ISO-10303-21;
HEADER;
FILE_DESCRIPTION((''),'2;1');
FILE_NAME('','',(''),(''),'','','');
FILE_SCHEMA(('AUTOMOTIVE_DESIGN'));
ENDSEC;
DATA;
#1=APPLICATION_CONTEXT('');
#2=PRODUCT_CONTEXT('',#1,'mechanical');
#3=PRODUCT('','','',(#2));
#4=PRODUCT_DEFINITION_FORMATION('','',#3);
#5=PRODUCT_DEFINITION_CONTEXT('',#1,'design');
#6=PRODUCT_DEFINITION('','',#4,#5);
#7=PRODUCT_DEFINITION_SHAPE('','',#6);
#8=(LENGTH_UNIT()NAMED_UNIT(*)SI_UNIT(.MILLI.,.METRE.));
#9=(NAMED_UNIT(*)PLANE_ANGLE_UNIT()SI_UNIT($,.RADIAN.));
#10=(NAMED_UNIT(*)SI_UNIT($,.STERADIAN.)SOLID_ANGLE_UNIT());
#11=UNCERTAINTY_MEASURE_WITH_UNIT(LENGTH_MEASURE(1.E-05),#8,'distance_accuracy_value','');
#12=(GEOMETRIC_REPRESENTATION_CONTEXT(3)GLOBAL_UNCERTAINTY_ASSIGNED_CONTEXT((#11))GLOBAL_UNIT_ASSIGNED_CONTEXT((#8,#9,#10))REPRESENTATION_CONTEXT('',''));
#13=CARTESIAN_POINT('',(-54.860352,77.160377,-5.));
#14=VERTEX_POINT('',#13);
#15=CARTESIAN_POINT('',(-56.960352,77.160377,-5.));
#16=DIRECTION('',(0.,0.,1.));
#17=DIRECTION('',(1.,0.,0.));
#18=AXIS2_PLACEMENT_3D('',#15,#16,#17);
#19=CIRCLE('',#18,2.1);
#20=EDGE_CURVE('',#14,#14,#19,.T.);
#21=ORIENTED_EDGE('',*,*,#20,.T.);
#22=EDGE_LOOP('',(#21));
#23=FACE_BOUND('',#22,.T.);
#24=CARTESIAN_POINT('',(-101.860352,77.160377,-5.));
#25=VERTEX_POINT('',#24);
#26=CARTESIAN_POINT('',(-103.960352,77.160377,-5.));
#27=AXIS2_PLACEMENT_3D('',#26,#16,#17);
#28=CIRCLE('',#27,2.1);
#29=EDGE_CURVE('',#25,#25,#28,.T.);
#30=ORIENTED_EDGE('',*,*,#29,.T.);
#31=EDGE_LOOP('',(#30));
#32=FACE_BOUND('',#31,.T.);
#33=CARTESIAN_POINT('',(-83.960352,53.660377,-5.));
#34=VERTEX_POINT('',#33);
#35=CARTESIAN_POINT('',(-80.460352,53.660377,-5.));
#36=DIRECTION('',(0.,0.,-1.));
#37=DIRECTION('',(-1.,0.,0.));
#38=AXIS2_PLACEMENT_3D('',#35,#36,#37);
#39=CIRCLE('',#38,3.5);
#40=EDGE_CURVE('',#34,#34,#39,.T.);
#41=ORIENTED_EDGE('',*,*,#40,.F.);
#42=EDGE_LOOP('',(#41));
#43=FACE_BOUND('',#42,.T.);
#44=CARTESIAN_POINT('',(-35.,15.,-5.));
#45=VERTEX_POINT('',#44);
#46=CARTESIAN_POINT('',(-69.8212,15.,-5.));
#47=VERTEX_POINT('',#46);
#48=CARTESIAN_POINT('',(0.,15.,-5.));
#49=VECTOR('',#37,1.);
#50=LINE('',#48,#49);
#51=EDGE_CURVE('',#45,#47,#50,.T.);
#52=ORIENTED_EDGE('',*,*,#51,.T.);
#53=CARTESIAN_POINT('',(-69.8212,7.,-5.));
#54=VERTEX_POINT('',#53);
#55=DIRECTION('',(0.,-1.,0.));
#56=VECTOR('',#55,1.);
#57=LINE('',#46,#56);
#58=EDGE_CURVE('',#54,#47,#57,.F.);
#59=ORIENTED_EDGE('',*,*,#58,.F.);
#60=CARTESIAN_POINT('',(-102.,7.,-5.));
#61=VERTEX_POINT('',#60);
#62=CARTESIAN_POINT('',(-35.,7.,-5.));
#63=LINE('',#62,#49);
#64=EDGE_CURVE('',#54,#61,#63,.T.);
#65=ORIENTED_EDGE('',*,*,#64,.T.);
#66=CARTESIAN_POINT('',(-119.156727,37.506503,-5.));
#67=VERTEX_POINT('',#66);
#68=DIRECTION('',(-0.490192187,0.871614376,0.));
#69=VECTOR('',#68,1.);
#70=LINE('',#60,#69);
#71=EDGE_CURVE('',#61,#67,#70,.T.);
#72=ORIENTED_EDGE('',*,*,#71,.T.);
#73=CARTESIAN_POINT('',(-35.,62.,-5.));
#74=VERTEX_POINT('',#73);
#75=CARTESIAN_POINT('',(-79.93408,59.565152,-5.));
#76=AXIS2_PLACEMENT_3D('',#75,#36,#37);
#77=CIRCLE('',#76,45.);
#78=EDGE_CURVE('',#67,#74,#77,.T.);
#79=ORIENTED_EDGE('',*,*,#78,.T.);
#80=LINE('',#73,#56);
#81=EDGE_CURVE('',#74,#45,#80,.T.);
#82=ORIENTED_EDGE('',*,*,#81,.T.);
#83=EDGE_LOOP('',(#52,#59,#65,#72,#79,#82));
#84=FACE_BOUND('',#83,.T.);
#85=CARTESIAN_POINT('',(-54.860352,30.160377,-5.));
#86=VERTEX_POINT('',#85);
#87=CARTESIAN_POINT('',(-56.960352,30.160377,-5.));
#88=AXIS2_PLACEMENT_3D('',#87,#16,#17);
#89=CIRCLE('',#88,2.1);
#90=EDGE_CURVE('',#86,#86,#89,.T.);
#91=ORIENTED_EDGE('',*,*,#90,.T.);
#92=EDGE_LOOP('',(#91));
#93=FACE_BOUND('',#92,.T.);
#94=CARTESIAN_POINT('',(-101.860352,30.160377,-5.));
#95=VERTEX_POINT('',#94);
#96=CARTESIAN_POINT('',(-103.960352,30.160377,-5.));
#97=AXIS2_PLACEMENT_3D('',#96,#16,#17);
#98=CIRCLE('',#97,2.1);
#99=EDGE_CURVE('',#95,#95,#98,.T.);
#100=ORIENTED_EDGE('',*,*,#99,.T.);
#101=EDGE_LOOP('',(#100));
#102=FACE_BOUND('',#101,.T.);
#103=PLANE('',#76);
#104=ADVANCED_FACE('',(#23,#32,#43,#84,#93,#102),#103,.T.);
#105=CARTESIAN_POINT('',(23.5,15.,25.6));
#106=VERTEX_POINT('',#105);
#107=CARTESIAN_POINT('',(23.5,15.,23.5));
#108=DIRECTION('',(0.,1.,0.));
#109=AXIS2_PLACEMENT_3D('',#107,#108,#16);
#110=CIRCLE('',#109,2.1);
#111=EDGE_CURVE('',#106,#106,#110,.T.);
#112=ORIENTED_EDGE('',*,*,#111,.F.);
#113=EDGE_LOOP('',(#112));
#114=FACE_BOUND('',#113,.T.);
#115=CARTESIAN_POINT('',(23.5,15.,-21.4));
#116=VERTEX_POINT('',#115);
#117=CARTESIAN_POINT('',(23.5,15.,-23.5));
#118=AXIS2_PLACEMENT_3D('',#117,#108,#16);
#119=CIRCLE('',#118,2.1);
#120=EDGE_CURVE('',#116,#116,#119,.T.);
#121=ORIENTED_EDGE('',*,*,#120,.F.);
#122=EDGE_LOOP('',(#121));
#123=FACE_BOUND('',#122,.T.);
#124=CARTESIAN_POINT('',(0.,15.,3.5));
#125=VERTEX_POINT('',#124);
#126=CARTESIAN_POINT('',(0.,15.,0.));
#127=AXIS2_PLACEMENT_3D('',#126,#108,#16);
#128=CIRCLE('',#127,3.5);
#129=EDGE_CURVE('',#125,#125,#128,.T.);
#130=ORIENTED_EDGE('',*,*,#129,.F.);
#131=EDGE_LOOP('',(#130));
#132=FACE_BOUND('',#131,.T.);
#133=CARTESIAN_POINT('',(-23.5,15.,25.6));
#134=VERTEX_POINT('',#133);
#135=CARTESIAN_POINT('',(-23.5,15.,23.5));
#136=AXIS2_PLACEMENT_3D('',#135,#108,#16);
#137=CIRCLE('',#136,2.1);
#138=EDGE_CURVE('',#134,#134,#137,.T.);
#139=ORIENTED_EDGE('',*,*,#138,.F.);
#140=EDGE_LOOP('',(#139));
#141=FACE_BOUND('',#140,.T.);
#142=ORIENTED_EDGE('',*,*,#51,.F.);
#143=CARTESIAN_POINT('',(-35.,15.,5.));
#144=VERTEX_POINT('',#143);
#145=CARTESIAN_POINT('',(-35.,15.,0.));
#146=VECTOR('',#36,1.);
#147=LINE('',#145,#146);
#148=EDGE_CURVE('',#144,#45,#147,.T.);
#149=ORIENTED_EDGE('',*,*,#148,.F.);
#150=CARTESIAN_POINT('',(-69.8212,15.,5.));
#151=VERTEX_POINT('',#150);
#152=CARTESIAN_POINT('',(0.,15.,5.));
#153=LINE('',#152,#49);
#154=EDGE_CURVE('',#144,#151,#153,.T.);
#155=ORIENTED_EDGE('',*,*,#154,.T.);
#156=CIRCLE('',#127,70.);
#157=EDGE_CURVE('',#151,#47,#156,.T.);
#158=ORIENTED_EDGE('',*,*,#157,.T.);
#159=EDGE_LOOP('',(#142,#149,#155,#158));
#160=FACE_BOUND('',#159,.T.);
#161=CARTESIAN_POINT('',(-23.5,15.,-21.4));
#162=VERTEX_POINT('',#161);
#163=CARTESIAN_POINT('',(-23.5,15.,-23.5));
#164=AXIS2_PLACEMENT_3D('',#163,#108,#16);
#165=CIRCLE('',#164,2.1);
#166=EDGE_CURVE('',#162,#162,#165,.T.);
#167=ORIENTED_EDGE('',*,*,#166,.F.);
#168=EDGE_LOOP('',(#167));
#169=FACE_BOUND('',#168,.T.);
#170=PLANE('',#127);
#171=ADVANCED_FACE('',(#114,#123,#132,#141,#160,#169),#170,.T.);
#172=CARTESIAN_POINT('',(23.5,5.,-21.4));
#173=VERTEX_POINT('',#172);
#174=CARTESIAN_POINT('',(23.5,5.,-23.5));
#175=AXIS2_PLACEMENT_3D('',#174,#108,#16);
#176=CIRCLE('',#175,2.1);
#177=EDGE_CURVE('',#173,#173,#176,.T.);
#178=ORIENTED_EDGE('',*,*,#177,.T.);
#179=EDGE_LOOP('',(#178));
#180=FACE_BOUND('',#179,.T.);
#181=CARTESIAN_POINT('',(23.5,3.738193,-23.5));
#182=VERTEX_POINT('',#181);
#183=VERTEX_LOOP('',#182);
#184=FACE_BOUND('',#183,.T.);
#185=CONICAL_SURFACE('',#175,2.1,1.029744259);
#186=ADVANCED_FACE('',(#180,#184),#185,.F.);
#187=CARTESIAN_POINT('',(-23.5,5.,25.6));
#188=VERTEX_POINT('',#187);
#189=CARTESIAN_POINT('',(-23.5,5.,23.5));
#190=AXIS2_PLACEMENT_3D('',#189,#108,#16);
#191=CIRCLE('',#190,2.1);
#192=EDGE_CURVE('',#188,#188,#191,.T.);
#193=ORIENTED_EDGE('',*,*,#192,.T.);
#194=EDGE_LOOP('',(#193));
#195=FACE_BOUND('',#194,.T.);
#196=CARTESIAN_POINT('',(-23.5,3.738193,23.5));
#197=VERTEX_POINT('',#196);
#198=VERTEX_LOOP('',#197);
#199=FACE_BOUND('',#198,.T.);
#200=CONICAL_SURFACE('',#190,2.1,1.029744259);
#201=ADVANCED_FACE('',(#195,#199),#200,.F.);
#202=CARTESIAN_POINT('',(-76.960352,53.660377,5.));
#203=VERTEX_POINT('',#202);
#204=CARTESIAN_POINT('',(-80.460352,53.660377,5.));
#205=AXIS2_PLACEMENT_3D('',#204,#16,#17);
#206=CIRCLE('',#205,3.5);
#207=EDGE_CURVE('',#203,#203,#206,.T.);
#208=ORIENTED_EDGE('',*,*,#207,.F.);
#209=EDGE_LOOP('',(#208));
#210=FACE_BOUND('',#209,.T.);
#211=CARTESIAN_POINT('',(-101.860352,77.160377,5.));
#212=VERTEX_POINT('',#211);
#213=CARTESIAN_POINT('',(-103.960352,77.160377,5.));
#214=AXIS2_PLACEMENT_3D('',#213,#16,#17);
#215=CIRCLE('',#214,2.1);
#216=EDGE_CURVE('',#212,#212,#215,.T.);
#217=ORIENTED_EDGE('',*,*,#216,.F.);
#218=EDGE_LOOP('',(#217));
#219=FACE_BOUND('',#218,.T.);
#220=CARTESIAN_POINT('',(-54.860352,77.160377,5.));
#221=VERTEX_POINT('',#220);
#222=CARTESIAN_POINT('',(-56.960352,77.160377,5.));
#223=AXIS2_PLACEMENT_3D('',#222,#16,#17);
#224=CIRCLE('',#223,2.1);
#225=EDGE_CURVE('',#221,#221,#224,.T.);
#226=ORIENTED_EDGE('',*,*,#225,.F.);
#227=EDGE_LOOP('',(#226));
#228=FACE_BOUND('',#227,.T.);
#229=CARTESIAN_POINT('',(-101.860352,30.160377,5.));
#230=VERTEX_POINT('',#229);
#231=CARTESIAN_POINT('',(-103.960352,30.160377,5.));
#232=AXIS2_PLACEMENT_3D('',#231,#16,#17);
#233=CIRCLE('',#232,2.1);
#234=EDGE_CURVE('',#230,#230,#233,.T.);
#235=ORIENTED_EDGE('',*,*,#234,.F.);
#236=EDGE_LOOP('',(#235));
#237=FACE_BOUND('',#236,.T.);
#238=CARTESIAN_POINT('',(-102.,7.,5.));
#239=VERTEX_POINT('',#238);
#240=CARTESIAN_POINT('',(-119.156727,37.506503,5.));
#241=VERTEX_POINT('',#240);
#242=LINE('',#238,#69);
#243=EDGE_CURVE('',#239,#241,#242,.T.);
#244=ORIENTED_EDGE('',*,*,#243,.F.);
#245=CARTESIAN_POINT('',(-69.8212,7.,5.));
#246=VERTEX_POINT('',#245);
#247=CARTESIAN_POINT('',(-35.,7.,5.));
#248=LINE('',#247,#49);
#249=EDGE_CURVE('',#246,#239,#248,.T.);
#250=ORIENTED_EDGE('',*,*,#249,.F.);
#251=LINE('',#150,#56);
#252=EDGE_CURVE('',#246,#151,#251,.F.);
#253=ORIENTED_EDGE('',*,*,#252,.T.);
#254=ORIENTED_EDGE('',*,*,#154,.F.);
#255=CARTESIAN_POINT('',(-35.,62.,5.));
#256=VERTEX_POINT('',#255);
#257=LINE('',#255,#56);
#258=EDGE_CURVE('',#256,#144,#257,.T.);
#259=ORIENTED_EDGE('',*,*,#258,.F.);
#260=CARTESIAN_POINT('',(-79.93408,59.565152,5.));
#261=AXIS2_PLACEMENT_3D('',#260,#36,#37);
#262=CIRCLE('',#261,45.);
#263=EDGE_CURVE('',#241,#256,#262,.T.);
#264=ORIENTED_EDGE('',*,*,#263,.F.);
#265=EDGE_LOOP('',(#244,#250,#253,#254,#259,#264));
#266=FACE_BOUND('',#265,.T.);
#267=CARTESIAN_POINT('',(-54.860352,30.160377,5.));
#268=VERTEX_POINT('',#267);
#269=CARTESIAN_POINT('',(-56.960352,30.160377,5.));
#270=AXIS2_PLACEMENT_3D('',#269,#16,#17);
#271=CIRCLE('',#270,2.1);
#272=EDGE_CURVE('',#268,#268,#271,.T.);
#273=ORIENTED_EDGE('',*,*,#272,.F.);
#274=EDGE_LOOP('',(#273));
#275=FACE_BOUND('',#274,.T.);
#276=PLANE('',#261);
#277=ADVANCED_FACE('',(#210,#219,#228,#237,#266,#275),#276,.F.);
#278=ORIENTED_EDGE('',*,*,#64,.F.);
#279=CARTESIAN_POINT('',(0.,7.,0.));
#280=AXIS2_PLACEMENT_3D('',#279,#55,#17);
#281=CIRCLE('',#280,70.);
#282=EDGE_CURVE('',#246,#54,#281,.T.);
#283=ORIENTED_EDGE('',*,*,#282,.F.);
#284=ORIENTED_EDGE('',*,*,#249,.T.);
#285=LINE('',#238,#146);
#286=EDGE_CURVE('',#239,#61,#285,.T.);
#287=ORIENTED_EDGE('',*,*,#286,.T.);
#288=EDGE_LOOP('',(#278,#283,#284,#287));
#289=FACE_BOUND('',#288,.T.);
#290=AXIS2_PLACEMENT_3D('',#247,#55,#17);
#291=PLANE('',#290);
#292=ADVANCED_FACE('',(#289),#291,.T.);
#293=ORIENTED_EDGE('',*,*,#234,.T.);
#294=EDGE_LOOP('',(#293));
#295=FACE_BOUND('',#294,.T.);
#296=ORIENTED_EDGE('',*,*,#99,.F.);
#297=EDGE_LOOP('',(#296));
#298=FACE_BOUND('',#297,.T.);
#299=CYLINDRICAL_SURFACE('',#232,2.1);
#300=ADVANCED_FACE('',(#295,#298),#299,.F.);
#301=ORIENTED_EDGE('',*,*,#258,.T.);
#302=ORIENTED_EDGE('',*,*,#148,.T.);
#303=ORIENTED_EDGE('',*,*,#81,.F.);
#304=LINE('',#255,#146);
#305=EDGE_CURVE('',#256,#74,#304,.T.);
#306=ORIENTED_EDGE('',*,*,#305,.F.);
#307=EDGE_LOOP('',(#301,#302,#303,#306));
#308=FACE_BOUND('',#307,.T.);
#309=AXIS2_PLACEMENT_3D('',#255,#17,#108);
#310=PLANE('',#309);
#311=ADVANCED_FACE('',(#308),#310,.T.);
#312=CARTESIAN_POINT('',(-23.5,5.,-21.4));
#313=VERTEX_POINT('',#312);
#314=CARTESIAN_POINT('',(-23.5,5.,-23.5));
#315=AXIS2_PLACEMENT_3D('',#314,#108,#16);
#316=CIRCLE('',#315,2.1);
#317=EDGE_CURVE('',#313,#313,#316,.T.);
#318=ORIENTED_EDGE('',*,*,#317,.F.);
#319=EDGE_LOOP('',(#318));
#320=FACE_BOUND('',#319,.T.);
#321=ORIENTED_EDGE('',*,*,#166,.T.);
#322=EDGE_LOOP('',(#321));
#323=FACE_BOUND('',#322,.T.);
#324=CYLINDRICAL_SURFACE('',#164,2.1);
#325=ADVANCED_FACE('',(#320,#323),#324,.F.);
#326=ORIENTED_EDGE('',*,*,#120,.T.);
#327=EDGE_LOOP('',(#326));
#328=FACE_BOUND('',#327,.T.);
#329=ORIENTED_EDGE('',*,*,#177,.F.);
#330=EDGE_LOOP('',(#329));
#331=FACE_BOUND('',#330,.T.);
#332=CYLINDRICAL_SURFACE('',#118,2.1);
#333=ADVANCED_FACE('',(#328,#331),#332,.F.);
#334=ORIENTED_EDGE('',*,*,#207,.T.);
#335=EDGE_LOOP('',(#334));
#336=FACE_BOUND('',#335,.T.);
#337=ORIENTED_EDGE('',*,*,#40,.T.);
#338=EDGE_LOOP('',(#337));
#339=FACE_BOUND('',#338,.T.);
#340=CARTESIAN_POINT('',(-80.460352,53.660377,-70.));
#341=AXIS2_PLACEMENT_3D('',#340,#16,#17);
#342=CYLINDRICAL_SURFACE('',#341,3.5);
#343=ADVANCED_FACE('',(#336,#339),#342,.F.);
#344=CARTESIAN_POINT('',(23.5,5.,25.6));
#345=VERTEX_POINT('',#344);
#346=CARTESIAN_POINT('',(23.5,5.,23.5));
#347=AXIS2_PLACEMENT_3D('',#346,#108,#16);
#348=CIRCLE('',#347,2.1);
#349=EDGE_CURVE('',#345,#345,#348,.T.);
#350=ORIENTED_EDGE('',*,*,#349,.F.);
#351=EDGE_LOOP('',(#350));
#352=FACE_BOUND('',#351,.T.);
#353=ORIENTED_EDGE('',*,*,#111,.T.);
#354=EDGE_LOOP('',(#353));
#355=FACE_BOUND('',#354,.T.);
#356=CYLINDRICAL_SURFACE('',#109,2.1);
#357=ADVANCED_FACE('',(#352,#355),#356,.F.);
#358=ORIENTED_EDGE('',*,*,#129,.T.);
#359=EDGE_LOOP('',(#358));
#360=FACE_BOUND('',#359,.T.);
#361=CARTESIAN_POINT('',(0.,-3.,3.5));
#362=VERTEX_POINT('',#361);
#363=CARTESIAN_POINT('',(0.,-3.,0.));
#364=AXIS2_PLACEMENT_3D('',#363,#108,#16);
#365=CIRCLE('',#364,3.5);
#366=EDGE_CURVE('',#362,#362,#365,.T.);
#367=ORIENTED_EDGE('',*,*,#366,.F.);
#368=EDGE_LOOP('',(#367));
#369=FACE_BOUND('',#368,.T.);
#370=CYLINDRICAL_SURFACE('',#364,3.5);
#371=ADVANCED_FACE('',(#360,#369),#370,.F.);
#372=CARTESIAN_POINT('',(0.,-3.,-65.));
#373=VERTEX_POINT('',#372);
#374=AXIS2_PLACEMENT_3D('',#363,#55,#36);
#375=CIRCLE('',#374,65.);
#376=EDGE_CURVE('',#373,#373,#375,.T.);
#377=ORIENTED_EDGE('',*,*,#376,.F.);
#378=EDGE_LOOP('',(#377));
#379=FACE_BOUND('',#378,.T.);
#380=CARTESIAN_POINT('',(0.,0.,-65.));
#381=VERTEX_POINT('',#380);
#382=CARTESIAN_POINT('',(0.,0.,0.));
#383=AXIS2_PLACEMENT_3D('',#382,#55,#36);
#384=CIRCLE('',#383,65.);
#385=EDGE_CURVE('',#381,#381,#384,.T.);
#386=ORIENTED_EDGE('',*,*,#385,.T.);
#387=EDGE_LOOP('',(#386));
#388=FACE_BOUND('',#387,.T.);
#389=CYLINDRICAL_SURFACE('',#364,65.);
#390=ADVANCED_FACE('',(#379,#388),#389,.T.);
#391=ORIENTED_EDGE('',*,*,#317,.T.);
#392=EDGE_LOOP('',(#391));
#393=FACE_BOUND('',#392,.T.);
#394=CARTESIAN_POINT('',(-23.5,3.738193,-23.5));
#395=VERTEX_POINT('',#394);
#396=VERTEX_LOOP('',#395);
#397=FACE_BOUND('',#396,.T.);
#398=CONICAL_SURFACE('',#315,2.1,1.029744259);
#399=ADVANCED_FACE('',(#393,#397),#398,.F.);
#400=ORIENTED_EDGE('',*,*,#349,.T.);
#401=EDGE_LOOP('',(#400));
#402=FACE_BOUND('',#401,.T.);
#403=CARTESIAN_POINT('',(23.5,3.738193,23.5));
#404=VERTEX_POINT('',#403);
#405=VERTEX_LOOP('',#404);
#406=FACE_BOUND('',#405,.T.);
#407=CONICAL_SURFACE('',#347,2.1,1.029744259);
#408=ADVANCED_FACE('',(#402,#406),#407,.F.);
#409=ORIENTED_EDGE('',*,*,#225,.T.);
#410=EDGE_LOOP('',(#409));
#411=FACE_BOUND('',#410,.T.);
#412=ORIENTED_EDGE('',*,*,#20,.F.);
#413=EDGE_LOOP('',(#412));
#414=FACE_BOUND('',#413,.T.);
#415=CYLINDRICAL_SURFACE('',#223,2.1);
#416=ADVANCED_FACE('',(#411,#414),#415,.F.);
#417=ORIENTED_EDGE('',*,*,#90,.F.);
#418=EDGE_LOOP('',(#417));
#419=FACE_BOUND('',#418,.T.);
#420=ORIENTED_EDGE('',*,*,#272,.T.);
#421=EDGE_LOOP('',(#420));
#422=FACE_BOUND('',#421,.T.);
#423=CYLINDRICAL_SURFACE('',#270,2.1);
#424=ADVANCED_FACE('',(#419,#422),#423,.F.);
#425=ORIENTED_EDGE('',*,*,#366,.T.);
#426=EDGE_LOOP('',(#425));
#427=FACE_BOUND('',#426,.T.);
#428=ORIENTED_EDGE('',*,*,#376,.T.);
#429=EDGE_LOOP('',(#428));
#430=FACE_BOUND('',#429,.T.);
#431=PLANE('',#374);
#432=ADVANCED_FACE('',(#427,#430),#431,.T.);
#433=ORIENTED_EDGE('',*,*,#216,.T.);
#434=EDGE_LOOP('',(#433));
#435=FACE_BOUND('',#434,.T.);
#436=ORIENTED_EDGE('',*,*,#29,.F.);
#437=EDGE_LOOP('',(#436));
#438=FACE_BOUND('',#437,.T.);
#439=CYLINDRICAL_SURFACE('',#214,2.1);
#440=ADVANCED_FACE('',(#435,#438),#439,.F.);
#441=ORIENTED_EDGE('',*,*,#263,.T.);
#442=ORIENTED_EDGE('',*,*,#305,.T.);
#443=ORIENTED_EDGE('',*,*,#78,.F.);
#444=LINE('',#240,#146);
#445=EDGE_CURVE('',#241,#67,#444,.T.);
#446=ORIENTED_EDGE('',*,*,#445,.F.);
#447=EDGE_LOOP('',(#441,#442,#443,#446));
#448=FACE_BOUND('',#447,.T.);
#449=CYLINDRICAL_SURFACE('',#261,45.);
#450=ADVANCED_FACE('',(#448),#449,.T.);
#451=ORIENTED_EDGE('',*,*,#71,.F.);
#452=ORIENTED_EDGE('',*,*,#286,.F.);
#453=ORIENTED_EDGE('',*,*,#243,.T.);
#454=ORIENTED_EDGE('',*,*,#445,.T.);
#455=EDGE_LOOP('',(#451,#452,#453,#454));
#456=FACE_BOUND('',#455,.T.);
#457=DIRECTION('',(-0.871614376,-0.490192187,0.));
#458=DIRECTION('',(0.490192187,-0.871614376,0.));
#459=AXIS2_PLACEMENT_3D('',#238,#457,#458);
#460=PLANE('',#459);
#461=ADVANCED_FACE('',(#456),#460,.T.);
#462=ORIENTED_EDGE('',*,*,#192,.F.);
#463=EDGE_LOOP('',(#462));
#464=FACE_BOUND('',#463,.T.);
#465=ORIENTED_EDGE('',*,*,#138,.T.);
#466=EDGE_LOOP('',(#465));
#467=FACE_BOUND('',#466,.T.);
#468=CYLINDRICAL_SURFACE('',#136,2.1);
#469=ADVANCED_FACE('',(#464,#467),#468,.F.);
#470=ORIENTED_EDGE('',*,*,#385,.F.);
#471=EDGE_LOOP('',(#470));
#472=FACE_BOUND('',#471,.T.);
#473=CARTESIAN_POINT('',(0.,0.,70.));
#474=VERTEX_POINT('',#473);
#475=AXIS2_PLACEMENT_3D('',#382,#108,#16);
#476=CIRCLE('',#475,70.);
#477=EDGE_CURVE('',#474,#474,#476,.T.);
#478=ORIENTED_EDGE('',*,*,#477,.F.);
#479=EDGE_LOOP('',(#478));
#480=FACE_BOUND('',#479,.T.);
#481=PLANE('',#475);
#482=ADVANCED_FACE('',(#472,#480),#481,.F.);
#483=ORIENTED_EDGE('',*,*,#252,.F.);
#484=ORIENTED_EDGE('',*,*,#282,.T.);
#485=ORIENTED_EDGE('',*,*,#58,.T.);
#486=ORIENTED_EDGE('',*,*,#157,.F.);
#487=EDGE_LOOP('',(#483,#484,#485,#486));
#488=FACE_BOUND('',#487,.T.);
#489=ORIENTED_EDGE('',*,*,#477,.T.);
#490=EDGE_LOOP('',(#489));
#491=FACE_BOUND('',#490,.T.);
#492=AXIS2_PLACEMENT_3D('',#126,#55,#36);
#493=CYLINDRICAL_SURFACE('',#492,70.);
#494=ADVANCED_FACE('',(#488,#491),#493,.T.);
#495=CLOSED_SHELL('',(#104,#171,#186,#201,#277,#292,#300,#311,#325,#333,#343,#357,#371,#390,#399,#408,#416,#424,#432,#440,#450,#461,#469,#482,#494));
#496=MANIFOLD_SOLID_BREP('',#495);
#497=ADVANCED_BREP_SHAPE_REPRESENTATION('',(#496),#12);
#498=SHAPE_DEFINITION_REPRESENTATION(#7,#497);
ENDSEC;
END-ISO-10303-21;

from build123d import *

# Parameters (mm, degrees)
SKETCH1_R                 = 70
BOSS_EXTRUDE2_DEPTH       = 15
SKETCH2_R                 = 65
BOSS_EXTRUDE3_DEPTH       = 3
BOSS_EXTRUDE4_DEPTH       = 5
M5X0_8_TAPPED_HOLE2_D     = 4.2
M5X0_8_TAPPED_HOLE2_DEPTH = 10
M5X0_8_TAPPED_HOLE2_TIP   = 1.2618073
SKETCH8_R                 = 3.5
CUT_EXTRUDE1_DEPTH        = 169.909563464
M5X0_8_TAPPED_HOLE3_D     = 4.2
M5X0_8_TAPPED_HOLE3_DEPTH = 10
M5X0_8_TAPPED_HOLE3_TIP   = 1.2618073
SKETCH14_R                = 3.5
CUT_EXTRUDE2_DEPTH        = 178.408330527


with BuildPart() as part:
    # Sketch1 → Boss-Extrude2 (new body)
    with BuildSketch(Plane(origin=(0, 0, 0), x_dir=(1, 0, 0), z_dir=(0, 1, 0))):
        with Locations(Location((0, 0, 0), (0, 0, 270))):
            Circle(SKETCH1_R)
    extrude(amount=BOSS_EXTRUDE2_DEPTH)

    # Sketch2 → Boss-Extrude3 (add)
    with BuildSketch(Plane.XZ):
        with Locations(Location((0, 0, 0), (0, 0, 270))):
            Circle(SKETCH2_R)
    extrude(amount=BOSS_EXTRUDE3_DEPTH)

    # Sketch3 → Boss-Extrude4 (add, symmetric)
    with BuildSketch(Plane.XY):
        with BuildLine():
            Line((-35, 62), (-35, 7))
            Line((-35, 7), (-102, 7))
            Line((-102, 7), (-119.156726544, 37.506503148))
            ThreePointArc((-119.156726544, 37.506503148), (-92.509371405, 102.772350464), (-35, 62))
        make_face()
    extrude(amount=BOSS_EXTRUDE4_DEPTH, both=True)

    # M5x0.8 Tapped Hole2
    with Locations(Plane(origin=(0, 15, 0), x_dir=(1, 0, 0), z_dir=(0, 1, 0))):
        with Locations((-23.5, 23.5), (23.5, 23.5), (23.5, -23.5), (-23.5, -23.5)):
            Hole(M5X0_8_TAPPED_HOLE2_D / 2, depth=M5X0_8_TAPPED_HOLE2_DEPTH)
            with Locations((0, 0, -(M5X0_8_TAPPED_HOLE2_DEPTH + M5X0_8_TAPPED_HOLE2_TIP / 2))):  # 118° drill point
                Cone(0, M5X0_8_TAPPED_HOLE2_D / 2, M5X0_8_TAPPED_HOLE2_TIP, mode=Mode.SUBTRACT)

    # Sketch8 → Cut-Extrude1 (cut, through all)
    with BuildSketch(Plane(origin=(0, 15, 0), x_dir=(1, 0, 0), z_dir=(0, 1, 0))):
        with Locations(Location((0, 0, 0), (0, 0, 270))):
            Circle(SKETCH8_R)
    extrude(amount=-CUT_EXTRUDE1_DEPTH, mode=Mode.SUBTRACT)

    # M5x0.8 Tapped Hole3
    with Locations(Plane(origin=(-80.46035162, 53.660377077, 5), x_dir=(1, 0, 0), z_dir=(0, 0, 1))):
        with Locations((-23.5, 23.5), (23.5, 23.5), (23.5, -23.5), (-23.5, -23.5)):
            Hole(M5X0_8_TAPPED_HOLE3_D / 2, depth=M5X0_8_TAPPED_HOLE3_DEPTH)
            with Locations((0, 0, -(M5X0_8_TAPPED_HOLE3_DEPTH + M5X0_8_TAPPED_HOLE3_TIP / 2))):  # 118° drill point
                Cone(0, M5X0_8_TAPPED_HOLE3_D / 2, M5X0_8_TAPPED_HOLE3_TIP, mode=Mode.SUBTRACT)

    # Sketch14 → Cut-Extrude2 (cut, through all)
    with BuildSketch(Plane(origin=(-80.46035162, 53.660377077, 5), x_dir=(1, 0, 0), z_dir=(0, 0, 1))):
        Circle(SKETCH14_R)
    extrude(amount=-CUT_EXTRUDE2_DEPTH, mode=Mode.SUBTRACT)


solid = part.part
